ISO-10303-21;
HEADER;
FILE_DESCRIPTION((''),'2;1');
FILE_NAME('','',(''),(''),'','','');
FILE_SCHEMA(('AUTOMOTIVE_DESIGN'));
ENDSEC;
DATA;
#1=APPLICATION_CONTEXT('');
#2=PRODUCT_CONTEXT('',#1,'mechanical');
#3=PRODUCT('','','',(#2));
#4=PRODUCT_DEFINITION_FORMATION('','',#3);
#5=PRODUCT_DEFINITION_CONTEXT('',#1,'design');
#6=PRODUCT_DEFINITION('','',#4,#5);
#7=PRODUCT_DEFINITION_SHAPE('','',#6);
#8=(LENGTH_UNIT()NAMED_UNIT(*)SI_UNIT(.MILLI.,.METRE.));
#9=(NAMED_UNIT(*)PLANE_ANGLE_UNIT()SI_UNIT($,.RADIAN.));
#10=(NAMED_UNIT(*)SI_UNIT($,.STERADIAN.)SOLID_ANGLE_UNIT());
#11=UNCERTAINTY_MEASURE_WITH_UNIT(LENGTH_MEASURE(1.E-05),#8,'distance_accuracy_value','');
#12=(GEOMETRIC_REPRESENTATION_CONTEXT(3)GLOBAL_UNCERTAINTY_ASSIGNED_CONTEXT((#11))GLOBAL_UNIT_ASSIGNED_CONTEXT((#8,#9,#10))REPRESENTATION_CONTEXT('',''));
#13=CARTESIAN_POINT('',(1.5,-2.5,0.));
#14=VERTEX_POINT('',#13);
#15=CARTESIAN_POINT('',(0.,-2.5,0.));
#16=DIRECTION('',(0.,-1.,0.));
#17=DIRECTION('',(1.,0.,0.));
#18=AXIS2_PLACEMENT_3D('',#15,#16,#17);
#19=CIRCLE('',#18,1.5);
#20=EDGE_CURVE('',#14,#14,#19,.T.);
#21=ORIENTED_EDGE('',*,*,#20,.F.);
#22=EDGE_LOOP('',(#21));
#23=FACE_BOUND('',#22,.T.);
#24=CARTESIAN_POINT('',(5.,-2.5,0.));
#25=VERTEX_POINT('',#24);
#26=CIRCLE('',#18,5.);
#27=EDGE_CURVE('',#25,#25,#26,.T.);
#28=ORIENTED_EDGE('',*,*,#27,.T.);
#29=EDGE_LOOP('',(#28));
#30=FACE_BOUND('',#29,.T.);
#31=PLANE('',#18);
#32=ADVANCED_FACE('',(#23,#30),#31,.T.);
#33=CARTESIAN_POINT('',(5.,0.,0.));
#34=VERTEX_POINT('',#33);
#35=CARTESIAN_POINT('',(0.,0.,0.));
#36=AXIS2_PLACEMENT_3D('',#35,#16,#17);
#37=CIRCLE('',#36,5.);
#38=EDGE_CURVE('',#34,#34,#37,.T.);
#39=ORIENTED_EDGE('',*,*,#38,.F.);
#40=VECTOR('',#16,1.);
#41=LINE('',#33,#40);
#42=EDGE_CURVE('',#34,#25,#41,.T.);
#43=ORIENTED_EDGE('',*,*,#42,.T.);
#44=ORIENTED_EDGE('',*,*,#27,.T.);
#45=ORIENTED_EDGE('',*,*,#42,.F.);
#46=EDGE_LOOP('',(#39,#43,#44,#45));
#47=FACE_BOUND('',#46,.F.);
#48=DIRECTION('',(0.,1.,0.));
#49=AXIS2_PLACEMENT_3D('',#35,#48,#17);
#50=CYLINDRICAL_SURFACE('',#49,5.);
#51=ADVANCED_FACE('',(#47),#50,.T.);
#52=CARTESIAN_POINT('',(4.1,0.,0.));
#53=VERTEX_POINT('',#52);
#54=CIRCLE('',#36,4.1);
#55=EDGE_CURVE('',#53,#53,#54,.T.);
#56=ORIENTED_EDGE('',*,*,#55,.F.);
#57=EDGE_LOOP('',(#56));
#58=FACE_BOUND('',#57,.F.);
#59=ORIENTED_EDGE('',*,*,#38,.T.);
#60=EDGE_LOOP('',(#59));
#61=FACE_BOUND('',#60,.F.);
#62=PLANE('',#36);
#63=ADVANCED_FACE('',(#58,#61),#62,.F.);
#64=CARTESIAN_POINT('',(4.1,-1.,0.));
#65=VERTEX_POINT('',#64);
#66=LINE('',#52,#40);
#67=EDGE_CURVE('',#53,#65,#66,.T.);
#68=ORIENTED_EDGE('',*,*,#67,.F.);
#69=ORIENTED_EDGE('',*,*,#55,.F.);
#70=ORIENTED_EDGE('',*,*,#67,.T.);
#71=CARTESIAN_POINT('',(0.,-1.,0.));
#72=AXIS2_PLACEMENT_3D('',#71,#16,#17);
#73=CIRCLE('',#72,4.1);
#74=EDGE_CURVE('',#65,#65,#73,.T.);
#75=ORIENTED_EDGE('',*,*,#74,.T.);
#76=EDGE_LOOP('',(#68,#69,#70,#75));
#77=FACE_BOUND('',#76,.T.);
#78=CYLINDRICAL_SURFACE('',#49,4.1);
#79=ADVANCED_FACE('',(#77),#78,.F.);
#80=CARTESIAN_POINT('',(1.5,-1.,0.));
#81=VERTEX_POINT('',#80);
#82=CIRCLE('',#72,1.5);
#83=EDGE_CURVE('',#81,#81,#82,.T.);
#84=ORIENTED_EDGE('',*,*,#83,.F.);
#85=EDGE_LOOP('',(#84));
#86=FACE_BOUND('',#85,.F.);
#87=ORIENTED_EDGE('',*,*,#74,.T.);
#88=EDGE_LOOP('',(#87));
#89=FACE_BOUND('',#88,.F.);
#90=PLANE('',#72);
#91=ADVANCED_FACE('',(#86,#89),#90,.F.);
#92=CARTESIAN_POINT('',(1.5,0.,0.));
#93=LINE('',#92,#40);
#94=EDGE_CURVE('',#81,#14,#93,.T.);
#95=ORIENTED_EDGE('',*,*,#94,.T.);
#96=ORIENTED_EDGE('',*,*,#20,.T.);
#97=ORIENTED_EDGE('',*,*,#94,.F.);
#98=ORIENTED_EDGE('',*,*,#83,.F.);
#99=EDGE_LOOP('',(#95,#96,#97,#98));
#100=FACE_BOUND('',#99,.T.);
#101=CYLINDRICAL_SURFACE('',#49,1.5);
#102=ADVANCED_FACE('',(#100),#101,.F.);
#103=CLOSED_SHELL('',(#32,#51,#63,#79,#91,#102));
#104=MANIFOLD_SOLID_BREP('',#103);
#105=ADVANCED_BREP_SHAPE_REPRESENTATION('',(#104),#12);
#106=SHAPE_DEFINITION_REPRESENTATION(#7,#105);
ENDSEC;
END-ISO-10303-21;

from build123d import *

# Parameters (mm, degrees)
F0_R     = 5
F0_R_2   = 4.1
F0_R_3   = 1.5
F1_DEPTH = 2.5
F2_DEPTH = 1


with BuildPart() as f1:
    # F0 (on Front) → F1 (new body)
    with BuildSketch(Plane.XZ):
        Circle(F0_R)
        Circle(F0_R_2, mode=Mode.SUBTRACT)
        Circle(F0_R_2)
        Circle(F0_R_3, mode=Mode.SUBTRACT)
    extrude(amount=F1_DEPTH)

    # F0 (on Front) → F2 (cut)
    with BuildSketch(Plane.XZ):
        Circle(F0_R_2)
        Circle(F0_R_3, mode=Mode.SUBTRACT)
    extrude(amount=F2_DEPTH, mode=Mode.SUBTRACT)


solid = f1.part
